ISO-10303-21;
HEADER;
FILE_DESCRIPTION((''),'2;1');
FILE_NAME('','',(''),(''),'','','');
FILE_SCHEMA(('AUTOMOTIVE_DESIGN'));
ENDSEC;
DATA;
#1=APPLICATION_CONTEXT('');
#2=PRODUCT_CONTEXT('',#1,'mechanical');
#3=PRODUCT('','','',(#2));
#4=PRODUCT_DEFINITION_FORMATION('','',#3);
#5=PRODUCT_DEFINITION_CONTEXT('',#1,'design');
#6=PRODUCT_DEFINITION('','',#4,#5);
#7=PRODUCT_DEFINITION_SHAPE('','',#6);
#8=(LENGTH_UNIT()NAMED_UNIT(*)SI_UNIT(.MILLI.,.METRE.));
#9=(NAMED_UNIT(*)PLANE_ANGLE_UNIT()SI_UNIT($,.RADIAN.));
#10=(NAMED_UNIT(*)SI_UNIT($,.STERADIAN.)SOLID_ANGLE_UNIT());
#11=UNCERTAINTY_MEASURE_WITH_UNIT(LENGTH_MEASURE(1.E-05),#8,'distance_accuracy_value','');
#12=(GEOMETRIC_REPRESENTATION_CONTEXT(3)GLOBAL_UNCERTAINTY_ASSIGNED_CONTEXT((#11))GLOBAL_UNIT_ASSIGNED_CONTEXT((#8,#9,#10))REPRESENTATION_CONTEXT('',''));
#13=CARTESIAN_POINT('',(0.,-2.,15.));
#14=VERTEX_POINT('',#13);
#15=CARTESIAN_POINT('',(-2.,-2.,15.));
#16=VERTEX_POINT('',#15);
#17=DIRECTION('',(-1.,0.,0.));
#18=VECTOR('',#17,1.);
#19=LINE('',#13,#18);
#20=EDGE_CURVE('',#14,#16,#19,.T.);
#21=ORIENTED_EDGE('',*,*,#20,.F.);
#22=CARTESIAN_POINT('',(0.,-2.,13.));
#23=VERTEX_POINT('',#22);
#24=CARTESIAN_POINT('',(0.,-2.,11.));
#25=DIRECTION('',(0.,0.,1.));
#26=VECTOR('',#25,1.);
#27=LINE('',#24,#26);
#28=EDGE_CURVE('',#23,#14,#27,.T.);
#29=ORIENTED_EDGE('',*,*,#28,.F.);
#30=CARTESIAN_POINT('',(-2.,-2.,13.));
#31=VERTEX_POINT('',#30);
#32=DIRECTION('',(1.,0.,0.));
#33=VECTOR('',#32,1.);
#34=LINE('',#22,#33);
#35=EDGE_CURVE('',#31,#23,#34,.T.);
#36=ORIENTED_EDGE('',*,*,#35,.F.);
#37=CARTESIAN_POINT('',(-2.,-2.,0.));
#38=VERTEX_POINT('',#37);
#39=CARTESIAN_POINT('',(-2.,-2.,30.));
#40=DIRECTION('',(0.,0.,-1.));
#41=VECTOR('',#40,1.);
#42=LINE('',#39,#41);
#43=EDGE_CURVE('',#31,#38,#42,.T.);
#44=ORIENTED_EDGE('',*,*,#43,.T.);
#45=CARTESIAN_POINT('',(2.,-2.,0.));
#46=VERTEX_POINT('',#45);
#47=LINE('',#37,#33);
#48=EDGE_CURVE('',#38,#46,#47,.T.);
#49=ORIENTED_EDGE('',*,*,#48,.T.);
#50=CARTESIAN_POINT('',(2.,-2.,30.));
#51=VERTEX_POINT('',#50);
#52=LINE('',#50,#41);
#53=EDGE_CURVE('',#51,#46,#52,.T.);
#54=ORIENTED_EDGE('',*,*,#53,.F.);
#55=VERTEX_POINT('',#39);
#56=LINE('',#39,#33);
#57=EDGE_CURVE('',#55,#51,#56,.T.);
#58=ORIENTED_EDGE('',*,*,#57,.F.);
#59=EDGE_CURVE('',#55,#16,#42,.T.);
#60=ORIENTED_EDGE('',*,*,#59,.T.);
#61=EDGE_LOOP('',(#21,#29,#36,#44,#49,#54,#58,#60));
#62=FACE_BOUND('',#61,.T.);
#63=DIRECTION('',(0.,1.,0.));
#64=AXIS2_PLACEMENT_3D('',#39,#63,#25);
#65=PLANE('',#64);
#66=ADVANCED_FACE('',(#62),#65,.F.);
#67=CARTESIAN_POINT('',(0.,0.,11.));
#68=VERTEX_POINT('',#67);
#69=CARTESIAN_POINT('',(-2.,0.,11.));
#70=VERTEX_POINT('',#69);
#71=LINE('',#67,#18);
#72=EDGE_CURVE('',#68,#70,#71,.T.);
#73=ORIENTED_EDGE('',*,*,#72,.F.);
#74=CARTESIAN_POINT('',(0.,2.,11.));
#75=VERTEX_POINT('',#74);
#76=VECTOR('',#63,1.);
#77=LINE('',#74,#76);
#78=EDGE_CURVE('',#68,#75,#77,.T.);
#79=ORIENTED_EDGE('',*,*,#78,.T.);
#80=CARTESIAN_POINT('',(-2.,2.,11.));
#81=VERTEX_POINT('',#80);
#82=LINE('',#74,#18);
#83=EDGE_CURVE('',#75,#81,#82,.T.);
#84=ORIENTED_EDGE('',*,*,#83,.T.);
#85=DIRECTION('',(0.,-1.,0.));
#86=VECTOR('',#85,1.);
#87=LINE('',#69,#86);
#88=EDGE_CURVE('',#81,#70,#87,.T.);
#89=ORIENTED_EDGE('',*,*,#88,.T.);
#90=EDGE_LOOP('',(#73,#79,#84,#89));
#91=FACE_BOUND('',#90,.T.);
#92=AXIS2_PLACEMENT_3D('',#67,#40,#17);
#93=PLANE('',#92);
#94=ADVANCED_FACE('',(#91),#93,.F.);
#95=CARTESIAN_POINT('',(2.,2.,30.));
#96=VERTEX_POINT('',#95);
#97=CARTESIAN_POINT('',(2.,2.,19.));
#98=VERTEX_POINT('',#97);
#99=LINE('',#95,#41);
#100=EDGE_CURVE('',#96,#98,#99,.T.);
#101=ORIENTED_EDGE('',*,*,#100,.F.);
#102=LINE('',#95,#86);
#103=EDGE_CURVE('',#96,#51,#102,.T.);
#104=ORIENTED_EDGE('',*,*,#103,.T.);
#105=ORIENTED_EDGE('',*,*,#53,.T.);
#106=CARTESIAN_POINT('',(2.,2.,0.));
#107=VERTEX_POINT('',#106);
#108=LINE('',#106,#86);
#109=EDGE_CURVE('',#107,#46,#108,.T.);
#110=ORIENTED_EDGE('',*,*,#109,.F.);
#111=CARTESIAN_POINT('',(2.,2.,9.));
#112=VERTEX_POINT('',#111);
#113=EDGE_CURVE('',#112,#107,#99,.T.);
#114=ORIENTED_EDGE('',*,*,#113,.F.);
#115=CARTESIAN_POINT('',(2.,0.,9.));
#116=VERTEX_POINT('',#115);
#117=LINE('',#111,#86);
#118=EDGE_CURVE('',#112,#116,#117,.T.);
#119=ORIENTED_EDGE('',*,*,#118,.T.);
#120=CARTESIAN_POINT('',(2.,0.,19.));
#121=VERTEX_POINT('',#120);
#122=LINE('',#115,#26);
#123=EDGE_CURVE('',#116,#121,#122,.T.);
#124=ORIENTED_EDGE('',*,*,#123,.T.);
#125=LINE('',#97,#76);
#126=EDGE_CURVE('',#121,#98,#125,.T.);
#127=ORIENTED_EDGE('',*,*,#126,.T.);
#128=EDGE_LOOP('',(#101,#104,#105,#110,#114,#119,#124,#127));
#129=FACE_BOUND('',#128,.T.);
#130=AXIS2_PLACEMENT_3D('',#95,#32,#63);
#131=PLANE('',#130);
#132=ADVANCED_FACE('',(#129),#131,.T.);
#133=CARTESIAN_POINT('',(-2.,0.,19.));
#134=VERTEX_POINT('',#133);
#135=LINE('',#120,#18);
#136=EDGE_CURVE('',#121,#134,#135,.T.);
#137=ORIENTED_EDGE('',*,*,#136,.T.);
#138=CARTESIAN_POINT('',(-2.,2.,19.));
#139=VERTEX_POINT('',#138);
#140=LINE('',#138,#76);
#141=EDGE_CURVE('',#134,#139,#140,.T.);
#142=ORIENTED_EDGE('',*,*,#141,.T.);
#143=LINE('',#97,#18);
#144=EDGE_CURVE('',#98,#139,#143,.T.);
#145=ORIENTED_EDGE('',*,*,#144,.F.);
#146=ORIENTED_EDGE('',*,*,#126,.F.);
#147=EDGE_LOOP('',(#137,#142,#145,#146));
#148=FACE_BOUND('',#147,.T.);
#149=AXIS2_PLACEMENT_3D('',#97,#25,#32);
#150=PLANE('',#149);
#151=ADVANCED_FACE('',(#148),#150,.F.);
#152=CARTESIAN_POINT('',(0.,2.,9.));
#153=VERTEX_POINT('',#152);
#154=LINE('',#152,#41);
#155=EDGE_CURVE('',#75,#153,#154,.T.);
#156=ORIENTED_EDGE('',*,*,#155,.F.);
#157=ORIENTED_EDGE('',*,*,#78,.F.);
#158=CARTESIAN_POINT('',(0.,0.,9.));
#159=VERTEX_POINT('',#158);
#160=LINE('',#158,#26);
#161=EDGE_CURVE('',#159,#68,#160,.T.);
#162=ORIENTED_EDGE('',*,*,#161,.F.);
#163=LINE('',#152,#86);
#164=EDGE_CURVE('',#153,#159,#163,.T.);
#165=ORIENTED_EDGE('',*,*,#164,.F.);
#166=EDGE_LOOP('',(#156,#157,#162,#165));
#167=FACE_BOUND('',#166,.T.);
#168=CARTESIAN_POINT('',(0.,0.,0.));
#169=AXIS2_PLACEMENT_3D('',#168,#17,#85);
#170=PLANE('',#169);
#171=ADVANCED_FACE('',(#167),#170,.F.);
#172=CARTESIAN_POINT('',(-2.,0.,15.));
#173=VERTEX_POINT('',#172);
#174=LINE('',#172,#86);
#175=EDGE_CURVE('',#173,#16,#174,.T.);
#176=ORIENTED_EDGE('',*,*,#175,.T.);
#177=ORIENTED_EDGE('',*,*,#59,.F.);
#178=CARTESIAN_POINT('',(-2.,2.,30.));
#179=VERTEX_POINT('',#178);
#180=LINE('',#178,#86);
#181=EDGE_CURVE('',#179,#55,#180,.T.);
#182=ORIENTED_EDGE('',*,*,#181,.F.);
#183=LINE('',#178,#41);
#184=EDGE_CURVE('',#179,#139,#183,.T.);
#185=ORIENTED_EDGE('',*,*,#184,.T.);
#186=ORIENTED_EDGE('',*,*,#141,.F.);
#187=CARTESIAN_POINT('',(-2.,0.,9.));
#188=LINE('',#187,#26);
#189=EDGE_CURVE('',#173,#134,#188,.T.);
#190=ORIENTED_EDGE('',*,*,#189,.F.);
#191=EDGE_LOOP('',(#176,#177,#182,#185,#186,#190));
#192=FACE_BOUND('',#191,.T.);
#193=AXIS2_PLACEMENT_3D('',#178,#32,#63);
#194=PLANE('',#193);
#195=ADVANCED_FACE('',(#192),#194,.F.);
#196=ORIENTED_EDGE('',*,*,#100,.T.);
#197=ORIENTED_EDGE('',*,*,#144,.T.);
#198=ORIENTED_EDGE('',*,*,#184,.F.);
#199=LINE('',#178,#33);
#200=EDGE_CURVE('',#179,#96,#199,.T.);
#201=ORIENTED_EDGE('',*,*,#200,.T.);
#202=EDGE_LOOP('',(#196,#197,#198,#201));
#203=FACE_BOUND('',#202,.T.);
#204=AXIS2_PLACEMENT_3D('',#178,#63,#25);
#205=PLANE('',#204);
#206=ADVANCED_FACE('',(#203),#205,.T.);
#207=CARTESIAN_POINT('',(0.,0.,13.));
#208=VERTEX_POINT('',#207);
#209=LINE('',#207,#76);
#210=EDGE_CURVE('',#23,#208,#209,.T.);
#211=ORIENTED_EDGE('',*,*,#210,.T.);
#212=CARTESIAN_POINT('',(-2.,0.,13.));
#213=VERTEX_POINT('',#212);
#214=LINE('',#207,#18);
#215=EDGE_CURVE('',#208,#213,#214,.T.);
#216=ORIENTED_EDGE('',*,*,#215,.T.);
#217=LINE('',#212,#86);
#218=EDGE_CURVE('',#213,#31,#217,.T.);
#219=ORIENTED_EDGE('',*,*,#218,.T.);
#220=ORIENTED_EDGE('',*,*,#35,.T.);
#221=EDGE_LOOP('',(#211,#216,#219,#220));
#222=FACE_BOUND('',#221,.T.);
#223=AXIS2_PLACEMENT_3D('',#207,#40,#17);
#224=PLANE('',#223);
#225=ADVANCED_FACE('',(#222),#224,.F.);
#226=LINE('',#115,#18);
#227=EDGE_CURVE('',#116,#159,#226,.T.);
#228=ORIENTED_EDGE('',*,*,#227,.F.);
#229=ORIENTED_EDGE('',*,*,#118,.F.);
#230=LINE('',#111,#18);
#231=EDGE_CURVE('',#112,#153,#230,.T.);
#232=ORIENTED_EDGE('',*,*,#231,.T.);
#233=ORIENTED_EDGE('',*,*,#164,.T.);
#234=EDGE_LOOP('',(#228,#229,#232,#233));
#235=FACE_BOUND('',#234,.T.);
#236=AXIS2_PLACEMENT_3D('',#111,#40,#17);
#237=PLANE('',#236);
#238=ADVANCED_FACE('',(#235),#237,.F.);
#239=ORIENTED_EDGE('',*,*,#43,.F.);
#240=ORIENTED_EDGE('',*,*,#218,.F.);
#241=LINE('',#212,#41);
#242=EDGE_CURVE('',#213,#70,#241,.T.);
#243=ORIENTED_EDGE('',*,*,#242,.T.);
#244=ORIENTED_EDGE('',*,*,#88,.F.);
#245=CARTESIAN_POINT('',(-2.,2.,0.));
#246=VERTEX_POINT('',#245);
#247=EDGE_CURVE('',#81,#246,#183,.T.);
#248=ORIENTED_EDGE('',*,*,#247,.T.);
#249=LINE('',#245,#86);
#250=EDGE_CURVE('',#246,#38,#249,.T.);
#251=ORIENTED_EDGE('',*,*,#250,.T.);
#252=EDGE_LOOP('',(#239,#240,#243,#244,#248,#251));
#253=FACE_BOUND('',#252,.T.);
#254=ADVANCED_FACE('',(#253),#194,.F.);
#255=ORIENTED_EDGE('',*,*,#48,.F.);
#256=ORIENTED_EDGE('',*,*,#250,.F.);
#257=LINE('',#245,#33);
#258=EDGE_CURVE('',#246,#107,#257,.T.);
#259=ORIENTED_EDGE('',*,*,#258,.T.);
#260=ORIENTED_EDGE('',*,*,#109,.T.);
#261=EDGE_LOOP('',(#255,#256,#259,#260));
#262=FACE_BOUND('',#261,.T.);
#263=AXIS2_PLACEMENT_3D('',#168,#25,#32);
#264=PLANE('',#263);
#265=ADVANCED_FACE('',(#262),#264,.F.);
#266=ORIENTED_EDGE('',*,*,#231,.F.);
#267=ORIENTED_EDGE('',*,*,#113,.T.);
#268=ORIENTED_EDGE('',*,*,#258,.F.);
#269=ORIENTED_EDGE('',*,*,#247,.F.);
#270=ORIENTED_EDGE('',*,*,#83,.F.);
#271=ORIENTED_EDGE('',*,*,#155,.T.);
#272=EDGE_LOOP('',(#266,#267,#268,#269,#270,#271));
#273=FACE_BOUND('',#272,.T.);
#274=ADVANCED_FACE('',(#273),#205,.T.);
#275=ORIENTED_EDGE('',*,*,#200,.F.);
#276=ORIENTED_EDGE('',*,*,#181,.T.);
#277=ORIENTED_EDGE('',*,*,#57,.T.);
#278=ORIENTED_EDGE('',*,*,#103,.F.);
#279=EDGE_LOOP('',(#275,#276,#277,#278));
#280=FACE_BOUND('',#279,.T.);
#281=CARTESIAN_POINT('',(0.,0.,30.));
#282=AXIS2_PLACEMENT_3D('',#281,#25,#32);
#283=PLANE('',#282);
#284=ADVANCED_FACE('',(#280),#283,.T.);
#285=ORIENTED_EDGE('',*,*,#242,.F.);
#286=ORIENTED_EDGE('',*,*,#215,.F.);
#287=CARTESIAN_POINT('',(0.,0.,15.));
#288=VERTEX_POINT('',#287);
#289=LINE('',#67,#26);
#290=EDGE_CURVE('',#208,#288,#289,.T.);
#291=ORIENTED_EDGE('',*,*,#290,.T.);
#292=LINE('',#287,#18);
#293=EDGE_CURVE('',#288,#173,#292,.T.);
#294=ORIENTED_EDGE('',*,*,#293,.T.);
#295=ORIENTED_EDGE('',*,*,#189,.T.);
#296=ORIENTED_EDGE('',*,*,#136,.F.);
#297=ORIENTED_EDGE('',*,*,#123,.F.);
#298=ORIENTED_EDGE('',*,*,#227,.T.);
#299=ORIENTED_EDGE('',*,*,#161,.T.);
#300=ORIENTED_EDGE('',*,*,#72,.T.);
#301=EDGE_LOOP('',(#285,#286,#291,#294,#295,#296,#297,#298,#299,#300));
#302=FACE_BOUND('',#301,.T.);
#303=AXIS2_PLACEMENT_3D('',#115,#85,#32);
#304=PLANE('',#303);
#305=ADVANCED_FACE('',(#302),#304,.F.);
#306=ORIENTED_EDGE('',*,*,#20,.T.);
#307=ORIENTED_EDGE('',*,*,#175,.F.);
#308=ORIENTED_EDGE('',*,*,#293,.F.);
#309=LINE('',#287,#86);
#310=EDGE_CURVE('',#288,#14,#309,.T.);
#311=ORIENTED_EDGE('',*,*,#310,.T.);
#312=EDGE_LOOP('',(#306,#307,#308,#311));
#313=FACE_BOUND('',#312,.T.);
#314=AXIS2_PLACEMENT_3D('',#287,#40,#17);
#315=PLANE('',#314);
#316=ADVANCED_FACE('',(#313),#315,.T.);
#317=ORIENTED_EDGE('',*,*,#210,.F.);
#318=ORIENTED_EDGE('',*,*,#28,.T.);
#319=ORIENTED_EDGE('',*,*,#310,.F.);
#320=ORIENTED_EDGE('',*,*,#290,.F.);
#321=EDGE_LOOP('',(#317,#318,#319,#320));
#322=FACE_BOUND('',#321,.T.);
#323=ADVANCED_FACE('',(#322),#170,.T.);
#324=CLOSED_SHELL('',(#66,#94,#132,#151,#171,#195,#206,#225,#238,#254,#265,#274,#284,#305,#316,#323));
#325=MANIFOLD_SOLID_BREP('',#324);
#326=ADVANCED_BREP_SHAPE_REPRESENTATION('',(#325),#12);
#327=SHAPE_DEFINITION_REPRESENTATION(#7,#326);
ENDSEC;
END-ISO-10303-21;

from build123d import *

# Parameters (mm, degrees)
SKETCH_1_W          = 4
SKETCH_1_H          = 4
EXTRUDE_1_DEPTH     = 30
SKETCH_4_W          = 10
SKETCH_4_H          = 2
CUT_EXTRUDE_1_DEPTH = 4
SKETCH_6_W          = 4
SKETCH_6_H          = 2
CUT_EXTRUDE_2_DEPTH = 2
SKETCH_8_W          = 2
SKETCH_8_H          = 2
EXTRUDE_4_DEPTH     = 2
SKETCH_10_W         = 2
SKETCH_10_H         = 2
EXTRUDE_6_DEPTH     = 2


with BuildPart() as part:
    # 草圖1 → 填料-伸長1 (new body)
    with BuildSketch(Plane.XY):
        Rectangle(SKETCH_1_W, SKETCH_1_H)
    extrude(amount=EXTRUDE_1_DEPTH)

    # 草圖4 → 除料-伸長1 (cut)
    with BuildSketch(Plane.ZY.offset(2)):
        with Locations((14, 1)):
            Rectangle(SKETCH_4_W, SKETCH_4_H)
    extrude(amount=-CUT_EXTRUDE_1_DEPTH, mode=Mode.SUBTRACT)

    # 草圖6 → 除料-伸長2 (cut)
    with BuildSketch(Plane.ZY.offset(2)):
        with Locations((13, -1)):
            Rectangle(SKETCH_6_W, SKETCH_6_H)
    extrude(amount=-CUT_EXTRUDE_2_DEPTH, mode=Mode.SUBTRACT)

    # 草圖8 → 填料-伸長4 (add)
    with BuildSketch(Plane.ZY.offset(2)):
        with Locations((10, 1)):
            Rectangle(SKETCH_8_W, SKETCH_8_H)
    extrude(amount=-EXTRUDE_4_DEPTH)

    # 草圖10 → 填料-伸長6 (add)
    with BuildSketch(Plane.XY.offset(11)):
        with Locations((-1, -1)):
            Rectangle(SKETCH_10_W, SKETCH_10_H)
    extrude(amount=EXTRUDE_6_DEPTH)


solid = part.part
